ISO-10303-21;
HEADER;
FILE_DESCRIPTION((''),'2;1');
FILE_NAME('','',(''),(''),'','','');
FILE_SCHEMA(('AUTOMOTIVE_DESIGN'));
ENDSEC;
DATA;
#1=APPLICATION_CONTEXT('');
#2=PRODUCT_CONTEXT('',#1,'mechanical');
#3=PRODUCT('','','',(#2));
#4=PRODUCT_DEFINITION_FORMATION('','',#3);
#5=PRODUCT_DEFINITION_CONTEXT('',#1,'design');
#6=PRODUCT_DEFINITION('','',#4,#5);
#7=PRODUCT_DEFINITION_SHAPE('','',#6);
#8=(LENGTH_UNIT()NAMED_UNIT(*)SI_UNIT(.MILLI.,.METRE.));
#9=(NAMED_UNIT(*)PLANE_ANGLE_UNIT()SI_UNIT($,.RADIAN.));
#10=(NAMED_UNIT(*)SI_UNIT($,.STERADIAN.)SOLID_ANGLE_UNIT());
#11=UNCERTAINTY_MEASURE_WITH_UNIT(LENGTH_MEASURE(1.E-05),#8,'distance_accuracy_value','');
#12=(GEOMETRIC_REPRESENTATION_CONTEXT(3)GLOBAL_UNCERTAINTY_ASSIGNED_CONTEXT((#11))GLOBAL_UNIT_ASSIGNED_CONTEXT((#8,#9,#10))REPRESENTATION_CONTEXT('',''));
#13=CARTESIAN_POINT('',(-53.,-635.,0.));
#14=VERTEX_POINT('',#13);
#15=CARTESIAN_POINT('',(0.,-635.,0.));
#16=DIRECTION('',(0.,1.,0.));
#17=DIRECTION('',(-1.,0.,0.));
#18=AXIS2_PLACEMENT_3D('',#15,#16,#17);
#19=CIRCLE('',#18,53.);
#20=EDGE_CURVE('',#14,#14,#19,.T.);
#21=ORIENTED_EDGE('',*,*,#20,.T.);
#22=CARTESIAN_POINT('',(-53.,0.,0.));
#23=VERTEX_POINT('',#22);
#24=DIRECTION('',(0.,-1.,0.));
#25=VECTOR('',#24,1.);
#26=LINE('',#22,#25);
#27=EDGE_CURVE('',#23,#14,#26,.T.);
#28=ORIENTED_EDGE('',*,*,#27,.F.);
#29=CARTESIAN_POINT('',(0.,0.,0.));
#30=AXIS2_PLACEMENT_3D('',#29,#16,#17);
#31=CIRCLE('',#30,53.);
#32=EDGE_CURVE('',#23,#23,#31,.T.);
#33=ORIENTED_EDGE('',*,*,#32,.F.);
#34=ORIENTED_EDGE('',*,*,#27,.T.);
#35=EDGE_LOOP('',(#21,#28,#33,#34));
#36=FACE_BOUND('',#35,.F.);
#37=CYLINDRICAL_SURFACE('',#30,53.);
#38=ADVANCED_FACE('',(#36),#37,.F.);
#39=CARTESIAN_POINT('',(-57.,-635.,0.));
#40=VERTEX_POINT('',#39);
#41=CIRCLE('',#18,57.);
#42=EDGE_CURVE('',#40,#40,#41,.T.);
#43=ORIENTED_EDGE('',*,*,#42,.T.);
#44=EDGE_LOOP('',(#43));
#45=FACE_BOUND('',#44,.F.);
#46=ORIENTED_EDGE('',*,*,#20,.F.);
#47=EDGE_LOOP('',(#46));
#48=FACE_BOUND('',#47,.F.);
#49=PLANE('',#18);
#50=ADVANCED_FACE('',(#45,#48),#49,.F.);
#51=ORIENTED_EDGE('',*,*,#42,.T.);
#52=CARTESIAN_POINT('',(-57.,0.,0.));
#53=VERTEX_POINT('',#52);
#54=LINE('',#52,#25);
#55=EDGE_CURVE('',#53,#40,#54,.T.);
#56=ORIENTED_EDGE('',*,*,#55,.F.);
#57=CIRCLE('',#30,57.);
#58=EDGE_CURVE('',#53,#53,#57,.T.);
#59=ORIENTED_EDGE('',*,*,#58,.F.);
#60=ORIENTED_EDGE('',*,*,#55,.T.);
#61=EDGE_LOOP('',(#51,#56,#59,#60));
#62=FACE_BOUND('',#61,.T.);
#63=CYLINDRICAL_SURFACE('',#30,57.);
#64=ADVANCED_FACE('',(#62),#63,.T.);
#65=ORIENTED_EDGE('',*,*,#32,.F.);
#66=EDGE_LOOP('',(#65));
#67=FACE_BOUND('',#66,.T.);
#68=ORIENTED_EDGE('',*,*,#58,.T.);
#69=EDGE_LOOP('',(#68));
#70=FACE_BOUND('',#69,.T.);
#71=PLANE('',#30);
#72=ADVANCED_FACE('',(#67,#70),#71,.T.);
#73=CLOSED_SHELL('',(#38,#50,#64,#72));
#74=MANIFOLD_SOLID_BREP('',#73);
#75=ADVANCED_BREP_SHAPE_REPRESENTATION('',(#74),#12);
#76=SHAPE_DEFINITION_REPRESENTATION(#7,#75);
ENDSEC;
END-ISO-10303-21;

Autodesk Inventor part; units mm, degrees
ref_plane "YZ Plane" through (0, 0, 0) normal (1, 0, 0) x (0, 1, 0)
ref_plane "XZ Plane" through (0, 0, 0) normal (0, 1, 0) x (-1, 0, 0)
ref_plane "XY Plane" through (0, 0, 0) normal (0, 0, 1) x (1, 0, 0)
sketch "Sketch1" plane through (0, 0, 0) normal (0, 1, 0) x (-1, 0, 0)
  circle A0 centre (0, 0) radius 57
  circle A1 centre (0, 0) radius 53
  dimension "d0" = 114
  dimension "d1" = 4
extrude "Extrusion1" add sketch "Sketch1" against normal blind 635
properties part number "TZS 1241 FDS tube 1" material "Steel"
